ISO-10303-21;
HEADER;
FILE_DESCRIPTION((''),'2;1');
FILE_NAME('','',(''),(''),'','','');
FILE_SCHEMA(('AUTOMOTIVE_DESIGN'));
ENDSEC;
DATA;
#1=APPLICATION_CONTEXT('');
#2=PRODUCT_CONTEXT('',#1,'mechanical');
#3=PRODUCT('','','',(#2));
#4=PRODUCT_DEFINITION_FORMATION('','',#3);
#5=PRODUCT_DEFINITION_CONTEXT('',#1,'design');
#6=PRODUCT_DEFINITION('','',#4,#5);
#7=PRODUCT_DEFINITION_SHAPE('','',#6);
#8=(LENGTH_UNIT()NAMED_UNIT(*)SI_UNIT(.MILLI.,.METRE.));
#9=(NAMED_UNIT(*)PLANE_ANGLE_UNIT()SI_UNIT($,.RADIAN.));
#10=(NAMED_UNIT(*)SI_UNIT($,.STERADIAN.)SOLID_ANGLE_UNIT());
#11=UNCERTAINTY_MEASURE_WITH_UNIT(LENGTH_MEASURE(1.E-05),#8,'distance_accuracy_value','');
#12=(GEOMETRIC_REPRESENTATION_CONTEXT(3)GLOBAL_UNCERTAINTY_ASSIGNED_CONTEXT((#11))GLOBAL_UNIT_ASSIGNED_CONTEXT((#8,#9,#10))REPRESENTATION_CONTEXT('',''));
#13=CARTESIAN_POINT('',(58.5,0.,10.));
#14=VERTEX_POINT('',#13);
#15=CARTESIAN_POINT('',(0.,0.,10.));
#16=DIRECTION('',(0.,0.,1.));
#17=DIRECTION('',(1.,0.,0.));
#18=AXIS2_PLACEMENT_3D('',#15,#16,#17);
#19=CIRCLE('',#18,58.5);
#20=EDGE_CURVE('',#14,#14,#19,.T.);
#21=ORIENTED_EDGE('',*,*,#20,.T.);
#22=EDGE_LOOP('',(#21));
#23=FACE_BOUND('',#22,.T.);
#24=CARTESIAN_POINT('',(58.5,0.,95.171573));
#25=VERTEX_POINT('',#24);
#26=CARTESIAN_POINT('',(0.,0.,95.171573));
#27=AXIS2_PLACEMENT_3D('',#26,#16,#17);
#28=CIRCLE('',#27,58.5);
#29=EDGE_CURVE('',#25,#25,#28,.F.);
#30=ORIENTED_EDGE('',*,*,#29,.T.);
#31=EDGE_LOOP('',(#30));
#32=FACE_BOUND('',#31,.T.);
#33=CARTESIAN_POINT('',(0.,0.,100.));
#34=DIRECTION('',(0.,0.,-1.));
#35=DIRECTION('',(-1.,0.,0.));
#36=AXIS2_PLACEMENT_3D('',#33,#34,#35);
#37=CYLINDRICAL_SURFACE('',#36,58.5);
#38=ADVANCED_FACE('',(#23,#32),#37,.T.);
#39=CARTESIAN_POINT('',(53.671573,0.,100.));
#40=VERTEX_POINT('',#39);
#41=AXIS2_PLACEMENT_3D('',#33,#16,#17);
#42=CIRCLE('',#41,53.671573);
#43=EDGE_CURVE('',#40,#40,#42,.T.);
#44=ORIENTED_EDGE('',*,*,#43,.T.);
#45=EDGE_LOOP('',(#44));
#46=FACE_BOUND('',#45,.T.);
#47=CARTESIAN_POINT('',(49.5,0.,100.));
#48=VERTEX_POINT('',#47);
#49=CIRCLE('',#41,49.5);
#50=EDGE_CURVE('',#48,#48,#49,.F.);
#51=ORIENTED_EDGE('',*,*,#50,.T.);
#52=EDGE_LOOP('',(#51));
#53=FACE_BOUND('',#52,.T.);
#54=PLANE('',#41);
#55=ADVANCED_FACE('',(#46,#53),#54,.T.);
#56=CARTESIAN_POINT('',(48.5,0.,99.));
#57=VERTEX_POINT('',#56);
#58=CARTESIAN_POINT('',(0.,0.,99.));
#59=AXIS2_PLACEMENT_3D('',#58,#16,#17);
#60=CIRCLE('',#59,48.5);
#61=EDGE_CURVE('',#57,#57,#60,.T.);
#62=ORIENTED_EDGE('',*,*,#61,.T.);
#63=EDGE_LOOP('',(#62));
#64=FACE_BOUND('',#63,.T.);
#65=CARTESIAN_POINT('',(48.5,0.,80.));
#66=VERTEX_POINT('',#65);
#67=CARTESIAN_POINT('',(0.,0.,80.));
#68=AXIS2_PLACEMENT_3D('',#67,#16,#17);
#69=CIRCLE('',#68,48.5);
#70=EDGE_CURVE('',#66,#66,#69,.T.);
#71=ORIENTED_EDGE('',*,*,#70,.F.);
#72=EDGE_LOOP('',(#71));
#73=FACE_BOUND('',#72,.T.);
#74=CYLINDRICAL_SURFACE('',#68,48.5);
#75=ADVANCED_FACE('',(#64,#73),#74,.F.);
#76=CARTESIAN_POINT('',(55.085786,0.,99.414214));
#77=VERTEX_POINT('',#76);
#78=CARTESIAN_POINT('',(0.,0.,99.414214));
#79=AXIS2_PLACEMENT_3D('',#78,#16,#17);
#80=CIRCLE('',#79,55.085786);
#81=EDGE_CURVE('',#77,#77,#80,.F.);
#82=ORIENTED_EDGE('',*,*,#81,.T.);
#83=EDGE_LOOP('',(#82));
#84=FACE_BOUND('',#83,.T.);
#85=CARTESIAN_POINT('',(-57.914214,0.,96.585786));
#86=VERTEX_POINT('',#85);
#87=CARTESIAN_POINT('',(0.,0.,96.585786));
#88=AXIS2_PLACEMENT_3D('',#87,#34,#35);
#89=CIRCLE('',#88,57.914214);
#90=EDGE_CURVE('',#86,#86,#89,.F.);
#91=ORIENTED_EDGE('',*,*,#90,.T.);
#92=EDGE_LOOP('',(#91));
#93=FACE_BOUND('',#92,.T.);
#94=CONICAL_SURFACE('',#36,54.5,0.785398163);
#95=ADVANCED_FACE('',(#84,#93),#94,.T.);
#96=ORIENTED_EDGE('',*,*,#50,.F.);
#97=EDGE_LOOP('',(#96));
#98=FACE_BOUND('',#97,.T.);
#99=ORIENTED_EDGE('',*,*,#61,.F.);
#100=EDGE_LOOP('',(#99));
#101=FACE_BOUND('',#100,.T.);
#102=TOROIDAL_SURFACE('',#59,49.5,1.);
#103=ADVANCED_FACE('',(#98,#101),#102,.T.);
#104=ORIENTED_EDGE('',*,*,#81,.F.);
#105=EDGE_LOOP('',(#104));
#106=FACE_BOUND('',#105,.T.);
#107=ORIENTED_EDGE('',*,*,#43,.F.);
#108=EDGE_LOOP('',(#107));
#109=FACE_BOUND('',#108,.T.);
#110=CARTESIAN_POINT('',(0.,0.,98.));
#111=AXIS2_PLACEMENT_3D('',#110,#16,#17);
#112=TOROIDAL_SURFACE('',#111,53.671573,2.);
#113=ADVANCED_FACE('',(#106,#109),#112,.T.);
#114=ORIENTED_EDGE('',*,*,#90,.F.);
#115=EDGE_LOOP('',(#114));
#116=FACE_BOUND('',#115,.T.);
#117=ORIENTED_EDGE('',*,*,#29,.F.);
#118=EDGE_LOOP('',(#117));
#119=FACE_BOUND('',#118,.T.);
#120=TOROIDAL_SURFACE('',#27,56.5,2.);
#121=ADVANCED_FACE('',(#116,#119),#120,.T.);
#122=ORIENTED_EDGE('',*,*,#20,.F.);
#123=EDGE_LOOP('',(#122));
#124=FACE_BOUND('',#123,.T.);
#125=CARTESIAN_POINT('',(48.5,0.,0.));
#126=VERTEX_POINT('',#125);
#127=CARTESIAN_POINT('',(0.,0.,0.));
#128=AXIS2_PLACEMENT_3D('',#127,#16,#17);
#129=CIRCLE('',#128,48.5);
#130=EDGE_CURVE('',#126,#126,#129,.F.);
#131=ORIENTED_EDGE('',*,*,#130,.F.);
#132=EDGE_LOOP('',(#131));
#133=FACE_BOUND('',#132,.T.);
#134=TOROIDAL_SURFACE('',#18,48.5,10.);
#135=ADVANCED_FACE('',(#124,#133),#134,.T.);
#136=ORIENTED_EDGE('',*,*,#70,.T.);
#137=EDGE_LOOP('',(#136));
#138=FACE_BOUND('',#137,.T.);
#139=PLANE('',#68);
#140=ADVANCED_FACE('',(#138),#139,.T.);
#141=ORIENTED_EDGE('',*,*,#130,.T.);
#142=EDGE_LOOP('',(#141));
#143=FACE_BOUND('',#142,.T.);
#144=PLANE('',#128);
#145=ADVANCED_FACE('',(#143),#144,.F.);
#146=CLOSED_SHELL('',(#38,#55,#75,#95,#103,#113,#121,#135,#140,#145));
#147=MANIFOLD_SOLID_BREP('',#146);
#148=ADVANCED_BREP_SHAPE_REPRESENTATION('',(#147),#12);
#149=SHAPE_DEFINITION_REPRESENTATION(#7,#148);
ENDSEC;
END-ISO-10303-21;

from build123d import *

# Parameters (mm, degrees)
SKETCH1_R           = 58.5
BOSS_EXTRUDE2_DEPTH = 100
SKETCH3_R           = 48.5
CUT_EXTRUDE1_DEPTH  = 20
FILLET1_R           = 1
CHAMFER1_SIZE       = 4
FILLET3_R           = 2
FILLET4_R           = 10


with BuildPart() as part:
    # Sketch1 → Boss-Extrude2 (new body)
    with BuildSketch(Plane.XY):
        Circle(SKETCH1_R)
    extrude(amount=BOSS_EXTRUDE2_DEPTH)

    # Sketch3 → Cut-Extrude1 (cut)
    with BuildSketch(Plane.XY.offset(100)):
        Circle(SKETCH3_R)
    extrude(amount=-CUT_EXTRUDE1_DEPTH, mode=Mode.SUBTRACT)

    # Fillet1
    fillet1_edges = [part.edges().sort_by_distance(p)[0] for p in [
        (-48.5, 0, 100),
    ]]
    fillet(fillet1_edges, radius=FILLET1_R)

    # Chamfer1
    chamfer1_edges = [part.edges().sort_by_distance(p)[0] for p in [
        (-58.5, 0, 100),
    ]]
    chamfer(chamfer1_edges, length=CHAMFER1_SIZE)

    # Fillet3
    fillet3_edges = [part.edges().sort_by_distance(p)[0] for p in [
        (-54.5, 0, 100),
        (-58.5, 0, 96),
    ]]
    fillet(fillet3_edges, radius=FILLET3_R)

    # Fillet4
    fillet4_edges = [part.edges().sort_by_distance(p)[0] for p in [
        (-58.5, 0, 0),
    ]]
    fillet(fillet4_edges, radius=FILLET4_R)


solid = part.part
